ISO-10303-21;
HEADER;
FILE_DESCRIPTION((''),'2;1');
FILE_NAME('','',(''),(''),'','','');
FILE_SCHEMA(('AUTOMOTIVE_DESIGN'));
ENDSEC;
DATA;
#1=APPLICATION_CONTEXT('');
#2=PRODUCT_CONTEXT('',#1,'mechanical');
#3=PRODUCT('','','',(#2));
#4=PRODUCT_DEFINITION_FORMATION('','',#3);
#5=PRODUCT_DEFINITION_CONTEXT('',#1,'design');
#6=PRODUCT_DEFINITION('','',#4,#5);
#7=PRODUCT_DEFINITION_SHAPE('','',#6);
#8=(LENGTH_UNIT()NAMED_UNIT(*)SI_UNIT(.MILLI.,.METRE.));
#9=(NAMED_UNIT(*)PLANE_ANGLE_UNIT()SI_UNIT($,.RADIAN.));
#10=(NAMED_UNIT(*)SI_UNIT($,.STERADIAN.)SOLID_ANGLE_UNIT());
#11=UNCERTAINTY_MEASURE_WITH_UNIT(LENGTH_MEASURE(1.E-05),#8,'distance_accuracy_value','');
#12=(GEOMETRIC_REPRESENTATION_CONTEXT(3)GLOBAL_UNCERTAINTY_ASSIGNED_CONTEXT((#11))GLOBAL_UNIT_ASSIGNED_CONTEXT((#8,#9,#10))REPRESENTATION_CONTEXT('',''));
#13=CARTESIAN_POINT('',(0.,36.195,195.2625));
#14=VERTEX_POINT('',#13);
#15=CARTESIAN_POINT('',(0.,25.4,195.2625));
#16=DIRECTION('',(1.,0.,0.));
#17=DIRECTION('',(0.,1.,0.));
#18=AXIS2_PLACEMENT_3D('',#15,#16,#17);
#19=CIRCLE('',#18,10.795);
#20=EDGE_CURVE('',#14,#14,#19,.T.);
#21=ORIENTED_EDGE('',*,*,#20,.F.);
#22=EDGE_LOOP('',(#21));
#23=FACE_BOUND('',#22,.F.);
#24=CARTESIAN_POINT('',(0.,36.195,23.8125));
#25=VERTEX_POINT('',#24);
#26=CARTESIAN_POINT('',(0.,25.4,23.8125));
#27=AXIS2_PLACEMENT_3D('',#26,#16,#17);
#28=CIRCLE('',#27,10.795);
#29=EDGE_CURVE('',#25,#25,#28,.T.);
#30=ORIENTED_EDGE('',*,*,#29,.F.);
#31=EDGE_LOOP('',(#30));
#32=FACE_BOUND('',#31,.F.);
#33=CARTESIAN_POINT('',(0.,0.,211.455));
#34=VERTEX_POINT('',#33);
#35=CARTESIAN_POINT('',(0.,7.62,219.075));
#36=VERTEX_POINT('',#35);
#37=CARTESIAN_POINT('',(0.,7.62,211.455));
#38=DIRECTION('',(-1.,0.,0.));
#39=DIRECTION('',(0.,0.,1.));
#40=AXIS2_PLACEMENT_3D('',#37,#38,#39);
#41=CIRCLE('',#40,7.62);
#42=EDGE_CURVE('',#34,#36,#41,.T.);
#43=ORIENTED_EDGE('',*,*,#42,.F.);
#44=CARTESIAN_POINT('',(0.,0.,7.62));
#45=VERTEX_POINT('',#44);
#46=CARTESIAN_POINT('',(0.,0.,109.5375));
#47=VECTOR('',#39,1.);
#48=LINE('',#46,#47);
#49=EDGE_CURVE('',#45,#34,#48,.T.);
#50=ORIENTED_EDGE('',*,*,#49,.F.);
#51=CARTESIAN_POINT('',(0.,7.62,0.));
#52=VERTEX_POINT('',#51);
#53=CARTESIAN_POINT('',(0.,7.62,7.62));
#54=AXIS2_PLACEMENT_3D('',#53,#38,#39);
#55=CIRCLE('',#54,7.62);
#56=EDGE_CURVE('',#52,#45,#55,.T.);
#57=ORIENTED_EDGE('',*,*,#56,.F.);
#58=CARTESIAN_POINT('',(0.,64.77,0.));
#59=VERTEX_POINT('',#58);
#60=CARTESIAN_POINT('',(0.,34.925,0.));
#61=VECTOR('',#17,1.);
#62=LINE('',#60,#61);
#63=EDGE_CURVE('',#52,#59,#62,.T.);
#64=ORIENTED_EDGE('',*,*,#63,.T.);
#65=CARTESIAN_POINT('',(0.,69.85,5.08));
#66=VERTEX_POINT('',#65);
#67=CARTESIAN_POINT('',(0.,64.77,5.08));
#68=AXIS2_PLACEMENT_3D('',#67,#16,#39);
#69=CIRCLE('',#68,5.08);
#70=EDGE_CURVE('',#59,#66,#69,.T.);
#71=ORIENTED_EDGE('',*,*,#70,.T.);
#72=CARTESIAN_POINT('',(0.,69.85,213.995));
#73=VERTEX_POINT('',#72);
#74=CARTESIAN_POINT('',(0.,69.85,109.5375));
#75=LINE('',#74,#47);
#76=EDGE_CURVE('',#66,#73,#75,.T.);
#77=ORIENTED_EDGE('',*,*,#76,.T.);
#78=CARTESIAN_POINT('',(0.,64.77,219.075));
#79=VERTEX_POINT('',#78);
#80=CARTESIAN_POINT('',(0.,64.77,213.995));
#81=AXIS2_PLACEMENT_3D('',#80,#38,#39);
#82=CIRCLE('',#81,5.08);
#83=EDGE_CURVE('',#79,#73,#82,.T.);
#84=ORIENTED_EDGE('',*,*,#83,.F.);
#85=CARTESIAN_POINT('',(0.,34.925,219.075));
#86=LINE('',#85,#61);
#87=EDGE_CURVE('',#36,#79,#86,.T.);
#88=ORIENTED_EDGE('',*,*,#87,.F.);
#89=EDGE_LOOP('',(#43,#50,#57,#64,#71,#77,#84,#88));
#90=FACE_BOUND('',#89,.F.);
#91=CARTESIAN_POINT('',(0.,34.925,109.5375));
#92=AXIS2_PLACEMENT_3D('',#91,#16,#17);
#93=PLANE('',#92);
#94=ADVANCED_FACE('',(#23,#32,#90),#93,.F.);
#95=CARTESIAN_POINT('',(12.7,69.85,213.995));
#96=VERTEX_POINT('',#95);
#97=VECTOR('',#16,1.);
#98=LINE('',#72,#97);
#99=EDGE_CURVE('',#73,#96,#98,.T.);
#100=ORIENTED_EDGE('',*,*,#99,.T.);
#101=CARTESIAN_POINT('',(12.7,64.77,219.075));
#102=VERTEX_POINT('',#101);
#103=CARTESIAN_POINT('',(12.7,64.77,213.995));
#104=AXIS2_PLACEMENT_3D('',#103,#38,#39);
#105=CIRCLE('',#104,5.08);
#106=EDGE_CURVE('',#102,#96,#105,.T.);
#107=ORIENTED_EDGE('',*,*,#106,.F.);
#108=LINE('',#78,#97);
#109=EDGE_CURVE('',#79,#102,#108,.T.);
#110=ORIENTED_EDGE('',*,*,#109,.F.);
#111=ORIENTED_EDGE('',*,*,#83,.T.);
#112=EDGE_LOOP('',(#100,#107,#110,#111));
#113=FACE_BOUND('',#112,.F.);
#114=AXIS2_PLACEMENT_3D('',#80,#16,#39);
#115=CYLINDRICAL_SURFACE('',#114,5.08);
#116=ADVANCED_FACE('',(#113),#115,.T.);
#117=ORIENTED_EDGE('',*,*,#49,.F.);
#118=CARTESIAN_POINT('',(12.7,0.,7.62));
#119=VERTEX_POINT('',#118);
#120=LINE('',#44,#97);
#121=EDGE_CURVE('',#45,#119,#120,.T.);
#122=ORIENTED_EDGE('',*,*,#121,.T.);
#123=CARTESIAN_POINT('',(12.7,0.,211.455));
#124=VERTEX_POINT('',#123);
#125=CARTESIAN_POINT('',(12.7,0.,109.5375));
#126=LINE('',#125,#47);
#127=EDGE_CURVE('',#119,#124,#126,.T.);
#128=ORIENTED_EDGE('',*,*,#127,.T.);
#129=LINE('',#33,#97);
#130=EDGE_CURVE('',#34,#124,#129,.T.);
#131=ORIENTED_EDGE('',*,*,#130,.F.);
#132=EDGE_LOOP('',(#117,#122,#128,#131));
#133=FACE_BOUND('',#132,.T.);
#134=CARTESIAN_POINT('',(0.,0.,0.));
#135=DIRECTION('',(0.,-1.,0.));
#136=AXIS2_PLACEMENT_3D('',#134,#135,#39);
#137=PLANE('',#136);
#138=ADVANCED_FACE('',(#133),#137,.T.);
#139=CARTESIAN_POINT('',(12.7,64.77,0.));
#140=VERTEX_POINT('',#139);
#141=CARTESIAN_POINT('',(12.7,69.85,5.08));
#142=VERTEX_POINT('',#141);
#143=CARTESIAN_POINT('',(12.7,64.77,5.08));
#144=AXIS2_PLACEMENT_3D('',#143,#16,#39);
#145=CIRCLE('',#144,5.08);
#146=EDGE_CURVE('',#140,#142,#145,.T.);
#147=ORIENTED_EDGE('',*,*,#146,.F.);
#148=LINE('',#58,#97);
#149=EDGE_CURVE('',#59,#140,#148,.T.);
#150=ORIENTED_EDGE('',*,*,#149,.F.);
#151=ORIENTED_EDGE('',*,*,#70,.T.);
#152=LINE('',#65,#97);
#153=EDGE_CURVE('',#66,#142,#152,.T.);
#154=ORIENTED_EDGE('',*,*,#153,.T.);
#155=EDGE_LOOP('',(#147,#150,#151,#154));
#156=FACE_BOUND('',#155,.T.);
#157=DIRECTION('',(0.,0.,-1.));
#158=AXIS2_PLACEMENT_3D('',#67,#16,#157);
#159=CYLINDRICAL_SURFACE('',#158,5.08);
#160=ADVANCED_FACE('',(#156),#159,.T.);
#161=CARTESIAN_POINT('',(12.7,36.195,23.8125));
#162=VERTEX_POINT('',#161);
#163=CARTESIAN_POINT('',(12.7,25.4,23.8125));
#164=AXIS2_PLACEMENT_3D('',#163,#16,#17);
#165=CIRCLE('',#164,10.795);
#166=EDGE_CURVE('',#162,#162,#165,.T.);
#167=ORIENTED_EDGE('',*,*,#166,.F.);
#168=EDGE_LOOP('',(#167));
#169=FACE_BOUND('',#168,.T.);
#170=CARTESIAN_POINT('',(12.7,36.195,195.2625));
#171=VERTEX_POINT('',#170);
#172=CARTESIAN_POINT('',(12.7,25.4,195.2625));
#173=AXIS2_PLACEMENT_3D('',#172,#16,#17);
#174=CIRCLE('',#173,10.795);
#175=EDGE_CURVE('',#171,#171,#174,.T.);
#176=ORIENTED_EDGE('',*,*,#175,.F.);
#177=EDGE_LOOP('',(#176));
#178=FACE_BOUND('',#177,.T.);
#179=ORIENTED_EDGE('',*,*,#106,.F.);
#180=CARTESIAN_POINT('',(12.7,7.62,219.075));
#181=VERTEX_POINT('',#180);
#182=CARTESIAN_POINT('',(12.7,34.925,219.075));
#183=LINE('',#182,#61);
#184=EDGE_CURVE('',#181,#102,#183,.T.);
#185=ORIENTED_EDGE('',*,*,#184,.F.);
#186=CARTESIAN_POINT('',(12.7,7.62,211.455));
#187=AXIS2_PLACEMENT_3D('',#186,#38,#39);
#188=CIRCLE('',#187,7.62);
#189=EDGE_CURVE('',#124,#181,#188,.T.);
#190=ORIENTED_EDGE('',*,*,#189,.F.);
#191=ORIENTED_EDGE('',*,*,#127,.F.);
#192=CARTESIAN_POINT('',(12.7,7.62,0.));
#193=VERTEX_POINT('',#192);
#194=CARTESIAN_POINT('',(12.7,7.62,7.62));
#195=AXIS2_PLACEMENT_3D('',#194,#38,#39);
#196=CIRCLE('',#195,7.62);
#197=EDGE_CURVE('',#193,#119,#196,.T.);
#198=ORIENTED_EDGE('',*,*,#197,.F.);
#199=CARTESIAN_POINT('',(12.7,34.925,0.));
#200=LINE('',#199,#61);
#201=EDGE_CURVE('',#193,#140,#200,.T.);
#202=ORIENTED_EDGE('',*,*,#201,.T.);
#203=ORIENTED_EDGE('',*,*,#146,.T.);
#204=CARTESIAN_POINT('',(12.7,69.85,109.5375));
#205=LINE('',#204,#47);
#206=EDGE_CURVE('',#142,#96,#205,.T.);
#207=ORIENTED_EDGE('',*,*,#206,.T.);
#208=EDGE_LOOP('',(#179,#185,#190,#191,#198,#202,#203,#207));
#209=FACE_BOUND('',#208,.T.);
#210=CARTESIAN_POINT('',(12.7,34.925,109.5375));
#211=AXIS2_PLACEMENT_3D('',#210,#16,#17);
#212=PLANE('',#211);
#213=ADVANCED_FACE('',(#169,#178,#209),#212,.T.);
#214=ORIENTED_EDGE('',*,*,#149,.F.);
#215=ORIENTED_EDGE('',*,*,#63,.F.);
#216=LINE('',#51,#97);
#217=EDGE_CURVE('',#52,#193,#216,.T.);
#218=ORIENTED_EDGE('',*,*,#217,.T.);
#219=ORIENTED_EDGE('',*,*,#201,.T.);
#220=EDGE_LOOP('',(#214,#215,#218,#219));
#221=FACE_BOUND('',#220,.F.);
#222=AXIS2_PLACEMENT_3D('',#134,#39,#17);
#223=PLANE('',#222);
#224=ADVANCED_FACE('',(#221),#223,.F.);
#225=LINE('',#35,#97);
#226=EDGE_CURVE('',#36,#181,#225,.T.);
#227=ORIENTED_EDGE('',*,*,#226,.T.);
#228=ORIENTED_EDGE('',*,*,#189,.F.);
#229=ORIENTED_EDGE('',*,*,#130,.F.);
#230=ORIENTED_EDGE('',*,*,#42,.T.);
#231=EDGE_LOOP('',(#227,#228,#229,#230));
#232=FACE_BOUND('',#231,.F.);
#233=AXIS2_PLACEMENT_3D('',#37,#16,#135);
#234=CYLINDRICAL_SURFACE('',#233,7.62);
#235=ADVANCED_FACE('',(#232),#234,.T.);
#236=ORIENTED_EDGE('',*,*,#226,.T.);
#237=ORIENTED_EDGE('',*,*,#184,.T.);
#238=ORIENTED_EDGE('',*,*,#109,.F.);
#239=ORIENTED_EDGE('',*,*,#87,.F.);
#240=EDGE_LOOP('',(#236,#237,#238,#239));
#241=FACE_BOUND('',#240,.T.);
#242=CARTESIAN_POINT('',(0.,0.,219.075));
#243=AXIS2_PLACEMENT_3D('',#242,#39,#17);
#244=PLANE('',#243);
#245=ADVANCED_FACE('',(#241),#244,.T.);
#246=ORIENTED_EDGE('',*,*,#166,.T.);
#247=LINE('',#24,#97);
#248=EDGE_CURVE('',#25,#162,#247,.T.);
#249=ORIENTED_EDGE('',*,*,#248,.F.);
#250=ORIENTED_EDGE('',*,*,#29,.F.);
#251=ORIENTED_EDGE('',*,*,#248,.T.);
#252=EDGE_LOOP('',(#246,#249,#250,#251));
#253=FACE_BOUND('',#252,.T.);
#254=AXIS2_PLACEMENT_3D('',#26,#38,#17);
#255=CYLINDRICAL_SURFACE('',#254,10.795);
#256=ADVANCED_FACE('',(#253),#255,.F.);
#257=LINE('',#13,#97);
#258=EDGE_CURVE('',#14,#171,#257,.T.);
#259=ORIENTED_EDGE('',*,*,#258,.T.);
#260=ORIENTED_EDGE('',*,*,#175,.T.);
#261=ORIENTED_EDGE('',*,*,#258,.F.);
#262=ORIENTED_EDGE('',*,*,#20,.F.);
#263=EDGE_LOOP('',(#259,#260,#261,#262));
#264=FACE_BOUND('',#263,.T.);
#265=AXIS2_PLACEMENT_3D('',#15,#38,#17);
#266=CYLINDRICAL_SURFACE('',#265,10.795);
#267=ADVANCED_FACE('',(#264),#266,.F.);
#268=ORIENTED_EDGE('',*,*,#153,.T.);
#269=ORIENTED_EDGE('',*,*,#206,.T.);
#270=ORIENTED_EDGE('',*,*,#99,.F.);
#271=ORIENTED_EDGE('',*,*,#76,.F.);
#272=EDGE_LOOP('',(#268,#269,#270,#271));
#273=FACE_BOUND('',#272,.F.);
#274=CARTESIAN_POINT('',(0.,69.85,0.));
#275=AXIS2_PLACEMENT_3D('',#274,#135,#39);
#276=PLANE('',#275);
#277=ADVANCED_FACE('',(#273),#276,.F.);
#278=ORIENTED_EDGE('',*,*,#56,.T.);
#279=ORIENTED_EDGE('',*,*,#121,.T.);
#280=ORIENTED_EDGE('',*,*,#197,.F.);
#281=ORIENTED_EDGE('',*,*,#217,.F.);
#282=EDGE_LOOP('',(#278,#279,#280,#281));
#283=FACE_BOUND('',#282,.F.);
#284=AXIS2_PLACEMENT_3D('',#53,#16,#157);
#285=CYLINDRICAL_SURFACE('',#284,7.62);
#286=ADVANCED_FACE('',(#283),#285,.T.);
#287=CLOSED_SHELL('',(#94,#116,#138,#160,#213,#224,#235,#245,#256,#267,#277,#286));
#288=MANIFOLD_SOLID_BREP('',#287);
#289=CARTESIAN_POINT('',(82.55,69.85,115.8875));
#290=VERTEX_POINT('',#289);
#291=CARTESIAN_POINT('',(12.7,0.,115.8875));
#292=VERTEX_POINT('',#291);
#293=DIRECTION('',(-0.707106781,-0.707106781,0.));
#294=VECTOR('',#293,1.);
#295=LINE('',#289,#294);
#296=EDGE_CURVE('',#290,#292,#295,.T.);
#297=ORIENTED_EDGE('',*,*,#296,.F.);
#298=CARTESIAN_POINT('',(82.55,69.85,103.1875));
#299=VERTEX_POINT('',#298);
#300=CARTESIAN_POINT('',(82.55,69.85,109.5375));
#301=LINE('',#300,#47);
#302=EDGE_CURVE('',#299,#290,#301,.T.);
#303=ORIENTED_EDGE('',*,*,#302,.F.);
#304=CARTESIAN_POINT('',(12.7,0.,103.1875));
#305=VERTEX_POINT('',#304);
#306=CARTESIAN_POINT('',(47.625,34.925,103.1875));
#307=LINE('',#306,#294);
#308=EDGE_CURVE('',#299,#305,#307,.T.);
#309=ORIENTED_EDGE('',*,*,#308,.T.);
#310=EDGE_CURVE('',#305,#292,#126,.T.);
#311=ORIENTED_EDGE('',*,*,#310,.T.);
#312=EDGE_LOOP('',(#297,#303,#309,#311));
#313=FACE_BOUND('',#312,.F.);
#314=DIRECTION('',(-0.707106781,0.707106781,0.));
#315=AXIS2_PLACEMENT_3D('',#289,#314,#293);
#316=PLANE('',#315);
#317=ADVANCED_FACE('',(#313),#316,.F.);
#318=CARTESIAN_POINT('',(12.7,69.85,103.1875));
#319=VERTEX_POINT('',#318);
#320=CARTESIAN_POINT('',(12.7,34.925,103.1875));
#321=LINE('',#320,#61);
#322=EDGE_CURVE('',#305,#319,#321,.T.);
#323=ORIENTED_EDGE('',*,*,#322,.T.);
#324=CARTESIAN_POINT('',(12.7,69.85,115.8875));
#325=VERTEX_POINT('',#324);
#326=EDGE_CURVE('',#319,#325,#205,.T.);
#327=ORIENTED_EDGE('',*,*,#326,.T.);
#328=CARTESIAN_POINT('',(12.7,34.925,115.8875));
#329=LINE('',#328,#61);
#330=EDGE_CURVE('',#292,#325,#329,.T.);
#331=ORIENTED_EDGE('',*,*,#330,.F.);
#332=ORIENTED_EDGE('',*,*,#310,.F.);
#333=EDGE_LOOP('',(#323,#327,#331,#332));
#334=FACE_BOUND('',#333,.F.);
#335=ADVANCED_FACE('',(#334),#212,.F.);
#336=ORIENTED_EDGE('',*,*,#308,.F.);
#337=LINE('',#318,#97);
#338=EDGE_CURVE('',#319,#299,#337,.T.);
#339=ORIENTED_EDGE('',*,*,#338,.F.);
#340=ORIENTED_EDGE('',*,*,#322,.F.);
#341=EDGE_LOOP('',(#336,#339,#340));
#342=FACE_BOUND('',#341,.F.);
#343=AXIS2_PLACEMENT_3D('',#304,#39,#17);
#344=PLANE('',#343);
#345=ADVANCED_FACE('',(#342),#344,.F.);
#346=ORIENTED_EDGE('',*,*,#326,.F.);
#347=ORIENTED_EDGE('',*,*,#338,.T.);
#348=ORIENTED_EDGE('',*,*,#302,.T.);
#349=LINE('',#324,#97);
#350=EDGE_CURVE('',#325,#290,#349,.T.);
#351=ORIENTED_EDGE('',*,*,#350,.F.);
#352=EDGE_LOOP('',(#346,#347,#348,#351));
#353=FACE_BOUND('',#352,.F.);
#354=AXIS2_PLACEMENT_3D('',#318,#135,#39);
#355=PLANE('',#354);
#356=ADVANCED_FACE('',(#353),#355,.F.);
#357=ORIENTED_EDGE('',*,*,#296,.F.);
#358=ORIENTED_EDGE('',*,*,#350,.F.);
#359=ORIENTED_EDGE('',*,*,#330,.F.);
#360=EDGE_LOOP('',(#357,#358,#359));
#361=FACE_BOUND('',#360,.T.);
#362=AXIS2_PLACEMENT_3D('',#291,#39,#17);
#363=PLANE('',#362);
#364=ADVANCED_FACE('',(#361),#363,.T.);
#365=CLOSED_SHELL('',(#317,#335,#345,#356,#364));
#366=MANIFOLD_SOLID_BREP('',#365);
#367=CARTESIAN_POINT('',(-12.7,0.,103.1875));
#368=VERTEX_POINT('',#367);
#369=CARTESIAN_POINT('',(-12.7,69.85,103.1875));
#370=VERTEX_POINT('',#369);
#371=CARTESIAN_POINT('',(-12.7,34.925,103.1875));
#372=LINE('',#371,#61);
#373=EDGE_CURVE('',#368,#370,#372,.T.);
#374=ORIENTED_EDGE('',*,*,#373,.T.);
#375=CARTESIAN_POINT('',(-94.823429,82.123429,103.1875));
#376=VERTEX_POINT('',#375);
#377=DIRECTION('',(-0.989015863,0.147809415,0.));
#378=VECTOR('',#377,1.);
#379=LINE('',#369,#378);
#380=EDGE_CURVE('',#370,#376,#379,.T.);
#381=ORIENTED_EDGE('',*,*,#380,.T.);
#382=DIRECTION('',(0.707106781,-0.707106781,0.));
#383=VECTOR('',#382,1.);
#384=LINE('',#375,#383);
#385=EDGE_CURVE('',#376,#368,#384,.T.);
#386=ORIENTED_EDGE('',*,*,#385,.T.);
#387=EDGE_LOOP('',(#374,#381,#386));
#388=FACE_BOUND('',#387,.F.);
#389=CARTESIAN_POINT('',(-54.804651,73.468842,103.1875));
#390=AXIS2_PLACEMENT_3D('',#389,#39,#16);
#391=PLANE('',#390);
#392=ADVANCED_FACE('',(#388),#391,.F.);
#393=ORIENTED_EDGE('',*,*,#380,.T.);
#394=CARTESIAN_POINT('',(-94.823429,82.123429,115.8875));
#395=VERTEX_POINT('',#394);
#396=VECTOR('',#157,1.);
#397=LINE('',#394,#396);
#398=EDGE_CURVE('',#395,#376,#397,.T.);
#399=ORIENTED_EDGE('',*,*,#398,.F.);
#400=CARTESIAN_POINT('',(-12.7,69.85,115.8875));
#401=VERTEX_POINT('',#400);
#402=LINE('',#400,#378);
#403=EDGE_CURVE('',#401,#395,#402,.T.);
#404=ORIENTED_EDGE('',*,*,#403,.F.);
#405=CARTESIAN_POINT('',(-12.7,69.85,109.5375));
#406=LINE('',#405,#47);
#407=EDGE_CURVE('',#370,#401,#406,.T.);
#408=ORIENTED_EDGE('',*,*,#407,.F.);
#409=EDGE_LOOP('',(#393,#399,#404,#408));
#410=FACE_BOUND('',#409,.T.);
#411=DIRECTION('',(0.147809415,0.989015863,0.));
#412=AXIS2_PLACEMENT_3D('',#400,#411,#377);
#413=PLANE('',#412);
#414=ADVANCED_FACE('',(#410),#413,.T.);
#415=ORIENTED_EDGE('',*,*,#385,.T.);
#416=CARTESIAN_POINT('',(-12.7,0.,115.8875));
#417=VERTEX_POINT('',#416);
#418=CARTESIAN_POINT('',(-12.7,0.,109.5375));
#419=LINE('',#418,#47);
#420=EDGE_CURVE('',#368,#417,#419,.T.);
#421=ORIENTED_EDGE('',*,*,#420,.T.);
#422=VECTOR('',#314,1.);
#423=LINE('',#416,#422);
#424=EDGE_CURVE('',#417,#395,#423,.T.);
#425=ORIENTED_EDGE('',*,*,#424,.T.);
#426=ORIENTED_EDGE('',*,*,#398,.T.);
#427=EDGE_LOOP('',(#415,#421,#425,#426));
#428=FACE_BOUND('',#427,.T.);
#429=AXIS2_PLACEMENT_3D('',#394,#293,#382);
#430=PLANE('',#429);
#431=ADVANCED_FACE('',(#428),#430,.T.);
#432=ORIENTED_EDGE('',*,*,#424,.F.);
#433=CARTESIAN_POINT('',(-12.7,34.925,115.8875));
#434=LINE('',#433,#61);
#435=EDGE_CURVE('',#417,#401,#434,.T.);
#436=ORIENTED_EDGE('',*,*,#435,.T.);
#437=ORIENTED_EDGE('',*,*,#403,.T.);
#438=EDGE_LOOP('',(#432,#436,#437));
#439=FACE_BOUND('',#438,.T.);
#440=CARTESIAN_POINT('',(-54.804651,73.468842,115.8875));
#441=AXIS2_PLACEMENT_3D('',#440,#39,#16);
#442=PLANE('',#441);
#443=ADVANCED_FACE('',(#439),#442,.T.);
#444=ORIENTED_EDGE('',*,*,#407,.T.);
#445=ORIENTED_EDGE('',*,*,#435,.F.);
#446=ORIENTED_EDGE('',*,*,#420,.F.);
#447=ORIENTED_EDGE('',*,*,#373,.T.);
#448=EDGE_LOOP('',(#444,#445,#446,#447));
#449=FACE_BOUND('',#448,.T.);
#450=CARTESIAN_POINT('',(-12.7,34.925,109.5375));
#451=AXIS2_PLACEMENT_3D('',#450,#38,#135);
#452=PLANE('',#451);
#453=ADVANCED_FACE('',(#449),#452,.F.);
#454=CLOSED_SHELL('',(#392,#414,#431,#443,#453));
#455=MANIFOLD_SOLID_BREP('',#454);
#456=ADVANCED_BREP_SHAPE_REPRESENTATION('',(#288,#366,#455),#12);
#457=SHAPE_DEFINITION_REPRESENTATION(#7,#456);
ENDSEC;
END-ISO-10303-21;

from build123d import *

# Parameters (mm, degrees)
F0_W      = 69.85
F0_H      = 219.075
F0_R      = 10.795
F1_DEPTH  = 12.7
F2_R      = 5.08
F3_R      = 7.62
F4_W      = 69.85
F4_H      = 12.7
F5_DEPTH  = 69.85
F7_DEPTH  = 115.8885
F10_DEPTH = 12.7


with BuildPart() as f1:
    # F0 (on Right) → F1 (new body)
    with BuildSketch(Plane.YZ):
        with Locations((34.925, 109.5375)):
            Rectangle(F0_W, F0_H)
        with Locations((25.4, 23.8125)):
            Circle(F0_R, mode=Mode.SUBTRACT)
        with Locations((25.4, 195.2625)):
            Circle(F0_R, mode=Mode.SUBTRACT)
    extrude(amount=F1_DEPTH)

    # F2
    f2_edges = [f1.edges().sort_by_distance(p)[0] for p in [
        (6.35, 69.85, 219.075),
        (6.35, 69.85, 0),
    ]]
    fillet(f2_edges, radius=F2_R)

    # F3
    f3_edges = [f1.edges().sort_by_distance(p)[0] for p in [
        (6.35, 0, 219.075),
        (6.35, 0, 0),
    ]]
    fillet(f3_edges, radius=F3_R)


with BuildPart() as f5:
    # F4 (on face) → F5 (new body)
    with BuildSketch(Plane.YZ.offset(12.7)):
        with Locations((34.925, 109.5375)):
            Rectangle(F4_W, F4_H)
    extrude(amount=F5_DEPTH)

    # F6 (on face) → F7 (cut, through all)
    with BuildSketch(Plane.XY.offset(115.8875)):
        Polygon((82.55, 0), (82.55, 69.85), (12.7, 0), align=None)
    extrude(amount=-F7_DEPTH, mode=Mode.SUBTRACT)


with BuildPart() as f8_1:
    # F8: instance of F5
    add(f5.part.mirror(Plane(origin=(0, 35.436059, 109.5375), x_dir=(0, 1, 0), z_dir=(-1, 0, 0))))

    # F9 (on face) → F10 (join, through all)
    with BuildSketch(Plane.XY.offset(115.8875)):
        Polygon((-82.55, 69.85), (-12.7, 69.85), (-94.823429, 82.123429), align=None)
    extrude(amount=-F10_DEPTH)


solid = Compound([f1.part, f5.part, f8_1.part])
